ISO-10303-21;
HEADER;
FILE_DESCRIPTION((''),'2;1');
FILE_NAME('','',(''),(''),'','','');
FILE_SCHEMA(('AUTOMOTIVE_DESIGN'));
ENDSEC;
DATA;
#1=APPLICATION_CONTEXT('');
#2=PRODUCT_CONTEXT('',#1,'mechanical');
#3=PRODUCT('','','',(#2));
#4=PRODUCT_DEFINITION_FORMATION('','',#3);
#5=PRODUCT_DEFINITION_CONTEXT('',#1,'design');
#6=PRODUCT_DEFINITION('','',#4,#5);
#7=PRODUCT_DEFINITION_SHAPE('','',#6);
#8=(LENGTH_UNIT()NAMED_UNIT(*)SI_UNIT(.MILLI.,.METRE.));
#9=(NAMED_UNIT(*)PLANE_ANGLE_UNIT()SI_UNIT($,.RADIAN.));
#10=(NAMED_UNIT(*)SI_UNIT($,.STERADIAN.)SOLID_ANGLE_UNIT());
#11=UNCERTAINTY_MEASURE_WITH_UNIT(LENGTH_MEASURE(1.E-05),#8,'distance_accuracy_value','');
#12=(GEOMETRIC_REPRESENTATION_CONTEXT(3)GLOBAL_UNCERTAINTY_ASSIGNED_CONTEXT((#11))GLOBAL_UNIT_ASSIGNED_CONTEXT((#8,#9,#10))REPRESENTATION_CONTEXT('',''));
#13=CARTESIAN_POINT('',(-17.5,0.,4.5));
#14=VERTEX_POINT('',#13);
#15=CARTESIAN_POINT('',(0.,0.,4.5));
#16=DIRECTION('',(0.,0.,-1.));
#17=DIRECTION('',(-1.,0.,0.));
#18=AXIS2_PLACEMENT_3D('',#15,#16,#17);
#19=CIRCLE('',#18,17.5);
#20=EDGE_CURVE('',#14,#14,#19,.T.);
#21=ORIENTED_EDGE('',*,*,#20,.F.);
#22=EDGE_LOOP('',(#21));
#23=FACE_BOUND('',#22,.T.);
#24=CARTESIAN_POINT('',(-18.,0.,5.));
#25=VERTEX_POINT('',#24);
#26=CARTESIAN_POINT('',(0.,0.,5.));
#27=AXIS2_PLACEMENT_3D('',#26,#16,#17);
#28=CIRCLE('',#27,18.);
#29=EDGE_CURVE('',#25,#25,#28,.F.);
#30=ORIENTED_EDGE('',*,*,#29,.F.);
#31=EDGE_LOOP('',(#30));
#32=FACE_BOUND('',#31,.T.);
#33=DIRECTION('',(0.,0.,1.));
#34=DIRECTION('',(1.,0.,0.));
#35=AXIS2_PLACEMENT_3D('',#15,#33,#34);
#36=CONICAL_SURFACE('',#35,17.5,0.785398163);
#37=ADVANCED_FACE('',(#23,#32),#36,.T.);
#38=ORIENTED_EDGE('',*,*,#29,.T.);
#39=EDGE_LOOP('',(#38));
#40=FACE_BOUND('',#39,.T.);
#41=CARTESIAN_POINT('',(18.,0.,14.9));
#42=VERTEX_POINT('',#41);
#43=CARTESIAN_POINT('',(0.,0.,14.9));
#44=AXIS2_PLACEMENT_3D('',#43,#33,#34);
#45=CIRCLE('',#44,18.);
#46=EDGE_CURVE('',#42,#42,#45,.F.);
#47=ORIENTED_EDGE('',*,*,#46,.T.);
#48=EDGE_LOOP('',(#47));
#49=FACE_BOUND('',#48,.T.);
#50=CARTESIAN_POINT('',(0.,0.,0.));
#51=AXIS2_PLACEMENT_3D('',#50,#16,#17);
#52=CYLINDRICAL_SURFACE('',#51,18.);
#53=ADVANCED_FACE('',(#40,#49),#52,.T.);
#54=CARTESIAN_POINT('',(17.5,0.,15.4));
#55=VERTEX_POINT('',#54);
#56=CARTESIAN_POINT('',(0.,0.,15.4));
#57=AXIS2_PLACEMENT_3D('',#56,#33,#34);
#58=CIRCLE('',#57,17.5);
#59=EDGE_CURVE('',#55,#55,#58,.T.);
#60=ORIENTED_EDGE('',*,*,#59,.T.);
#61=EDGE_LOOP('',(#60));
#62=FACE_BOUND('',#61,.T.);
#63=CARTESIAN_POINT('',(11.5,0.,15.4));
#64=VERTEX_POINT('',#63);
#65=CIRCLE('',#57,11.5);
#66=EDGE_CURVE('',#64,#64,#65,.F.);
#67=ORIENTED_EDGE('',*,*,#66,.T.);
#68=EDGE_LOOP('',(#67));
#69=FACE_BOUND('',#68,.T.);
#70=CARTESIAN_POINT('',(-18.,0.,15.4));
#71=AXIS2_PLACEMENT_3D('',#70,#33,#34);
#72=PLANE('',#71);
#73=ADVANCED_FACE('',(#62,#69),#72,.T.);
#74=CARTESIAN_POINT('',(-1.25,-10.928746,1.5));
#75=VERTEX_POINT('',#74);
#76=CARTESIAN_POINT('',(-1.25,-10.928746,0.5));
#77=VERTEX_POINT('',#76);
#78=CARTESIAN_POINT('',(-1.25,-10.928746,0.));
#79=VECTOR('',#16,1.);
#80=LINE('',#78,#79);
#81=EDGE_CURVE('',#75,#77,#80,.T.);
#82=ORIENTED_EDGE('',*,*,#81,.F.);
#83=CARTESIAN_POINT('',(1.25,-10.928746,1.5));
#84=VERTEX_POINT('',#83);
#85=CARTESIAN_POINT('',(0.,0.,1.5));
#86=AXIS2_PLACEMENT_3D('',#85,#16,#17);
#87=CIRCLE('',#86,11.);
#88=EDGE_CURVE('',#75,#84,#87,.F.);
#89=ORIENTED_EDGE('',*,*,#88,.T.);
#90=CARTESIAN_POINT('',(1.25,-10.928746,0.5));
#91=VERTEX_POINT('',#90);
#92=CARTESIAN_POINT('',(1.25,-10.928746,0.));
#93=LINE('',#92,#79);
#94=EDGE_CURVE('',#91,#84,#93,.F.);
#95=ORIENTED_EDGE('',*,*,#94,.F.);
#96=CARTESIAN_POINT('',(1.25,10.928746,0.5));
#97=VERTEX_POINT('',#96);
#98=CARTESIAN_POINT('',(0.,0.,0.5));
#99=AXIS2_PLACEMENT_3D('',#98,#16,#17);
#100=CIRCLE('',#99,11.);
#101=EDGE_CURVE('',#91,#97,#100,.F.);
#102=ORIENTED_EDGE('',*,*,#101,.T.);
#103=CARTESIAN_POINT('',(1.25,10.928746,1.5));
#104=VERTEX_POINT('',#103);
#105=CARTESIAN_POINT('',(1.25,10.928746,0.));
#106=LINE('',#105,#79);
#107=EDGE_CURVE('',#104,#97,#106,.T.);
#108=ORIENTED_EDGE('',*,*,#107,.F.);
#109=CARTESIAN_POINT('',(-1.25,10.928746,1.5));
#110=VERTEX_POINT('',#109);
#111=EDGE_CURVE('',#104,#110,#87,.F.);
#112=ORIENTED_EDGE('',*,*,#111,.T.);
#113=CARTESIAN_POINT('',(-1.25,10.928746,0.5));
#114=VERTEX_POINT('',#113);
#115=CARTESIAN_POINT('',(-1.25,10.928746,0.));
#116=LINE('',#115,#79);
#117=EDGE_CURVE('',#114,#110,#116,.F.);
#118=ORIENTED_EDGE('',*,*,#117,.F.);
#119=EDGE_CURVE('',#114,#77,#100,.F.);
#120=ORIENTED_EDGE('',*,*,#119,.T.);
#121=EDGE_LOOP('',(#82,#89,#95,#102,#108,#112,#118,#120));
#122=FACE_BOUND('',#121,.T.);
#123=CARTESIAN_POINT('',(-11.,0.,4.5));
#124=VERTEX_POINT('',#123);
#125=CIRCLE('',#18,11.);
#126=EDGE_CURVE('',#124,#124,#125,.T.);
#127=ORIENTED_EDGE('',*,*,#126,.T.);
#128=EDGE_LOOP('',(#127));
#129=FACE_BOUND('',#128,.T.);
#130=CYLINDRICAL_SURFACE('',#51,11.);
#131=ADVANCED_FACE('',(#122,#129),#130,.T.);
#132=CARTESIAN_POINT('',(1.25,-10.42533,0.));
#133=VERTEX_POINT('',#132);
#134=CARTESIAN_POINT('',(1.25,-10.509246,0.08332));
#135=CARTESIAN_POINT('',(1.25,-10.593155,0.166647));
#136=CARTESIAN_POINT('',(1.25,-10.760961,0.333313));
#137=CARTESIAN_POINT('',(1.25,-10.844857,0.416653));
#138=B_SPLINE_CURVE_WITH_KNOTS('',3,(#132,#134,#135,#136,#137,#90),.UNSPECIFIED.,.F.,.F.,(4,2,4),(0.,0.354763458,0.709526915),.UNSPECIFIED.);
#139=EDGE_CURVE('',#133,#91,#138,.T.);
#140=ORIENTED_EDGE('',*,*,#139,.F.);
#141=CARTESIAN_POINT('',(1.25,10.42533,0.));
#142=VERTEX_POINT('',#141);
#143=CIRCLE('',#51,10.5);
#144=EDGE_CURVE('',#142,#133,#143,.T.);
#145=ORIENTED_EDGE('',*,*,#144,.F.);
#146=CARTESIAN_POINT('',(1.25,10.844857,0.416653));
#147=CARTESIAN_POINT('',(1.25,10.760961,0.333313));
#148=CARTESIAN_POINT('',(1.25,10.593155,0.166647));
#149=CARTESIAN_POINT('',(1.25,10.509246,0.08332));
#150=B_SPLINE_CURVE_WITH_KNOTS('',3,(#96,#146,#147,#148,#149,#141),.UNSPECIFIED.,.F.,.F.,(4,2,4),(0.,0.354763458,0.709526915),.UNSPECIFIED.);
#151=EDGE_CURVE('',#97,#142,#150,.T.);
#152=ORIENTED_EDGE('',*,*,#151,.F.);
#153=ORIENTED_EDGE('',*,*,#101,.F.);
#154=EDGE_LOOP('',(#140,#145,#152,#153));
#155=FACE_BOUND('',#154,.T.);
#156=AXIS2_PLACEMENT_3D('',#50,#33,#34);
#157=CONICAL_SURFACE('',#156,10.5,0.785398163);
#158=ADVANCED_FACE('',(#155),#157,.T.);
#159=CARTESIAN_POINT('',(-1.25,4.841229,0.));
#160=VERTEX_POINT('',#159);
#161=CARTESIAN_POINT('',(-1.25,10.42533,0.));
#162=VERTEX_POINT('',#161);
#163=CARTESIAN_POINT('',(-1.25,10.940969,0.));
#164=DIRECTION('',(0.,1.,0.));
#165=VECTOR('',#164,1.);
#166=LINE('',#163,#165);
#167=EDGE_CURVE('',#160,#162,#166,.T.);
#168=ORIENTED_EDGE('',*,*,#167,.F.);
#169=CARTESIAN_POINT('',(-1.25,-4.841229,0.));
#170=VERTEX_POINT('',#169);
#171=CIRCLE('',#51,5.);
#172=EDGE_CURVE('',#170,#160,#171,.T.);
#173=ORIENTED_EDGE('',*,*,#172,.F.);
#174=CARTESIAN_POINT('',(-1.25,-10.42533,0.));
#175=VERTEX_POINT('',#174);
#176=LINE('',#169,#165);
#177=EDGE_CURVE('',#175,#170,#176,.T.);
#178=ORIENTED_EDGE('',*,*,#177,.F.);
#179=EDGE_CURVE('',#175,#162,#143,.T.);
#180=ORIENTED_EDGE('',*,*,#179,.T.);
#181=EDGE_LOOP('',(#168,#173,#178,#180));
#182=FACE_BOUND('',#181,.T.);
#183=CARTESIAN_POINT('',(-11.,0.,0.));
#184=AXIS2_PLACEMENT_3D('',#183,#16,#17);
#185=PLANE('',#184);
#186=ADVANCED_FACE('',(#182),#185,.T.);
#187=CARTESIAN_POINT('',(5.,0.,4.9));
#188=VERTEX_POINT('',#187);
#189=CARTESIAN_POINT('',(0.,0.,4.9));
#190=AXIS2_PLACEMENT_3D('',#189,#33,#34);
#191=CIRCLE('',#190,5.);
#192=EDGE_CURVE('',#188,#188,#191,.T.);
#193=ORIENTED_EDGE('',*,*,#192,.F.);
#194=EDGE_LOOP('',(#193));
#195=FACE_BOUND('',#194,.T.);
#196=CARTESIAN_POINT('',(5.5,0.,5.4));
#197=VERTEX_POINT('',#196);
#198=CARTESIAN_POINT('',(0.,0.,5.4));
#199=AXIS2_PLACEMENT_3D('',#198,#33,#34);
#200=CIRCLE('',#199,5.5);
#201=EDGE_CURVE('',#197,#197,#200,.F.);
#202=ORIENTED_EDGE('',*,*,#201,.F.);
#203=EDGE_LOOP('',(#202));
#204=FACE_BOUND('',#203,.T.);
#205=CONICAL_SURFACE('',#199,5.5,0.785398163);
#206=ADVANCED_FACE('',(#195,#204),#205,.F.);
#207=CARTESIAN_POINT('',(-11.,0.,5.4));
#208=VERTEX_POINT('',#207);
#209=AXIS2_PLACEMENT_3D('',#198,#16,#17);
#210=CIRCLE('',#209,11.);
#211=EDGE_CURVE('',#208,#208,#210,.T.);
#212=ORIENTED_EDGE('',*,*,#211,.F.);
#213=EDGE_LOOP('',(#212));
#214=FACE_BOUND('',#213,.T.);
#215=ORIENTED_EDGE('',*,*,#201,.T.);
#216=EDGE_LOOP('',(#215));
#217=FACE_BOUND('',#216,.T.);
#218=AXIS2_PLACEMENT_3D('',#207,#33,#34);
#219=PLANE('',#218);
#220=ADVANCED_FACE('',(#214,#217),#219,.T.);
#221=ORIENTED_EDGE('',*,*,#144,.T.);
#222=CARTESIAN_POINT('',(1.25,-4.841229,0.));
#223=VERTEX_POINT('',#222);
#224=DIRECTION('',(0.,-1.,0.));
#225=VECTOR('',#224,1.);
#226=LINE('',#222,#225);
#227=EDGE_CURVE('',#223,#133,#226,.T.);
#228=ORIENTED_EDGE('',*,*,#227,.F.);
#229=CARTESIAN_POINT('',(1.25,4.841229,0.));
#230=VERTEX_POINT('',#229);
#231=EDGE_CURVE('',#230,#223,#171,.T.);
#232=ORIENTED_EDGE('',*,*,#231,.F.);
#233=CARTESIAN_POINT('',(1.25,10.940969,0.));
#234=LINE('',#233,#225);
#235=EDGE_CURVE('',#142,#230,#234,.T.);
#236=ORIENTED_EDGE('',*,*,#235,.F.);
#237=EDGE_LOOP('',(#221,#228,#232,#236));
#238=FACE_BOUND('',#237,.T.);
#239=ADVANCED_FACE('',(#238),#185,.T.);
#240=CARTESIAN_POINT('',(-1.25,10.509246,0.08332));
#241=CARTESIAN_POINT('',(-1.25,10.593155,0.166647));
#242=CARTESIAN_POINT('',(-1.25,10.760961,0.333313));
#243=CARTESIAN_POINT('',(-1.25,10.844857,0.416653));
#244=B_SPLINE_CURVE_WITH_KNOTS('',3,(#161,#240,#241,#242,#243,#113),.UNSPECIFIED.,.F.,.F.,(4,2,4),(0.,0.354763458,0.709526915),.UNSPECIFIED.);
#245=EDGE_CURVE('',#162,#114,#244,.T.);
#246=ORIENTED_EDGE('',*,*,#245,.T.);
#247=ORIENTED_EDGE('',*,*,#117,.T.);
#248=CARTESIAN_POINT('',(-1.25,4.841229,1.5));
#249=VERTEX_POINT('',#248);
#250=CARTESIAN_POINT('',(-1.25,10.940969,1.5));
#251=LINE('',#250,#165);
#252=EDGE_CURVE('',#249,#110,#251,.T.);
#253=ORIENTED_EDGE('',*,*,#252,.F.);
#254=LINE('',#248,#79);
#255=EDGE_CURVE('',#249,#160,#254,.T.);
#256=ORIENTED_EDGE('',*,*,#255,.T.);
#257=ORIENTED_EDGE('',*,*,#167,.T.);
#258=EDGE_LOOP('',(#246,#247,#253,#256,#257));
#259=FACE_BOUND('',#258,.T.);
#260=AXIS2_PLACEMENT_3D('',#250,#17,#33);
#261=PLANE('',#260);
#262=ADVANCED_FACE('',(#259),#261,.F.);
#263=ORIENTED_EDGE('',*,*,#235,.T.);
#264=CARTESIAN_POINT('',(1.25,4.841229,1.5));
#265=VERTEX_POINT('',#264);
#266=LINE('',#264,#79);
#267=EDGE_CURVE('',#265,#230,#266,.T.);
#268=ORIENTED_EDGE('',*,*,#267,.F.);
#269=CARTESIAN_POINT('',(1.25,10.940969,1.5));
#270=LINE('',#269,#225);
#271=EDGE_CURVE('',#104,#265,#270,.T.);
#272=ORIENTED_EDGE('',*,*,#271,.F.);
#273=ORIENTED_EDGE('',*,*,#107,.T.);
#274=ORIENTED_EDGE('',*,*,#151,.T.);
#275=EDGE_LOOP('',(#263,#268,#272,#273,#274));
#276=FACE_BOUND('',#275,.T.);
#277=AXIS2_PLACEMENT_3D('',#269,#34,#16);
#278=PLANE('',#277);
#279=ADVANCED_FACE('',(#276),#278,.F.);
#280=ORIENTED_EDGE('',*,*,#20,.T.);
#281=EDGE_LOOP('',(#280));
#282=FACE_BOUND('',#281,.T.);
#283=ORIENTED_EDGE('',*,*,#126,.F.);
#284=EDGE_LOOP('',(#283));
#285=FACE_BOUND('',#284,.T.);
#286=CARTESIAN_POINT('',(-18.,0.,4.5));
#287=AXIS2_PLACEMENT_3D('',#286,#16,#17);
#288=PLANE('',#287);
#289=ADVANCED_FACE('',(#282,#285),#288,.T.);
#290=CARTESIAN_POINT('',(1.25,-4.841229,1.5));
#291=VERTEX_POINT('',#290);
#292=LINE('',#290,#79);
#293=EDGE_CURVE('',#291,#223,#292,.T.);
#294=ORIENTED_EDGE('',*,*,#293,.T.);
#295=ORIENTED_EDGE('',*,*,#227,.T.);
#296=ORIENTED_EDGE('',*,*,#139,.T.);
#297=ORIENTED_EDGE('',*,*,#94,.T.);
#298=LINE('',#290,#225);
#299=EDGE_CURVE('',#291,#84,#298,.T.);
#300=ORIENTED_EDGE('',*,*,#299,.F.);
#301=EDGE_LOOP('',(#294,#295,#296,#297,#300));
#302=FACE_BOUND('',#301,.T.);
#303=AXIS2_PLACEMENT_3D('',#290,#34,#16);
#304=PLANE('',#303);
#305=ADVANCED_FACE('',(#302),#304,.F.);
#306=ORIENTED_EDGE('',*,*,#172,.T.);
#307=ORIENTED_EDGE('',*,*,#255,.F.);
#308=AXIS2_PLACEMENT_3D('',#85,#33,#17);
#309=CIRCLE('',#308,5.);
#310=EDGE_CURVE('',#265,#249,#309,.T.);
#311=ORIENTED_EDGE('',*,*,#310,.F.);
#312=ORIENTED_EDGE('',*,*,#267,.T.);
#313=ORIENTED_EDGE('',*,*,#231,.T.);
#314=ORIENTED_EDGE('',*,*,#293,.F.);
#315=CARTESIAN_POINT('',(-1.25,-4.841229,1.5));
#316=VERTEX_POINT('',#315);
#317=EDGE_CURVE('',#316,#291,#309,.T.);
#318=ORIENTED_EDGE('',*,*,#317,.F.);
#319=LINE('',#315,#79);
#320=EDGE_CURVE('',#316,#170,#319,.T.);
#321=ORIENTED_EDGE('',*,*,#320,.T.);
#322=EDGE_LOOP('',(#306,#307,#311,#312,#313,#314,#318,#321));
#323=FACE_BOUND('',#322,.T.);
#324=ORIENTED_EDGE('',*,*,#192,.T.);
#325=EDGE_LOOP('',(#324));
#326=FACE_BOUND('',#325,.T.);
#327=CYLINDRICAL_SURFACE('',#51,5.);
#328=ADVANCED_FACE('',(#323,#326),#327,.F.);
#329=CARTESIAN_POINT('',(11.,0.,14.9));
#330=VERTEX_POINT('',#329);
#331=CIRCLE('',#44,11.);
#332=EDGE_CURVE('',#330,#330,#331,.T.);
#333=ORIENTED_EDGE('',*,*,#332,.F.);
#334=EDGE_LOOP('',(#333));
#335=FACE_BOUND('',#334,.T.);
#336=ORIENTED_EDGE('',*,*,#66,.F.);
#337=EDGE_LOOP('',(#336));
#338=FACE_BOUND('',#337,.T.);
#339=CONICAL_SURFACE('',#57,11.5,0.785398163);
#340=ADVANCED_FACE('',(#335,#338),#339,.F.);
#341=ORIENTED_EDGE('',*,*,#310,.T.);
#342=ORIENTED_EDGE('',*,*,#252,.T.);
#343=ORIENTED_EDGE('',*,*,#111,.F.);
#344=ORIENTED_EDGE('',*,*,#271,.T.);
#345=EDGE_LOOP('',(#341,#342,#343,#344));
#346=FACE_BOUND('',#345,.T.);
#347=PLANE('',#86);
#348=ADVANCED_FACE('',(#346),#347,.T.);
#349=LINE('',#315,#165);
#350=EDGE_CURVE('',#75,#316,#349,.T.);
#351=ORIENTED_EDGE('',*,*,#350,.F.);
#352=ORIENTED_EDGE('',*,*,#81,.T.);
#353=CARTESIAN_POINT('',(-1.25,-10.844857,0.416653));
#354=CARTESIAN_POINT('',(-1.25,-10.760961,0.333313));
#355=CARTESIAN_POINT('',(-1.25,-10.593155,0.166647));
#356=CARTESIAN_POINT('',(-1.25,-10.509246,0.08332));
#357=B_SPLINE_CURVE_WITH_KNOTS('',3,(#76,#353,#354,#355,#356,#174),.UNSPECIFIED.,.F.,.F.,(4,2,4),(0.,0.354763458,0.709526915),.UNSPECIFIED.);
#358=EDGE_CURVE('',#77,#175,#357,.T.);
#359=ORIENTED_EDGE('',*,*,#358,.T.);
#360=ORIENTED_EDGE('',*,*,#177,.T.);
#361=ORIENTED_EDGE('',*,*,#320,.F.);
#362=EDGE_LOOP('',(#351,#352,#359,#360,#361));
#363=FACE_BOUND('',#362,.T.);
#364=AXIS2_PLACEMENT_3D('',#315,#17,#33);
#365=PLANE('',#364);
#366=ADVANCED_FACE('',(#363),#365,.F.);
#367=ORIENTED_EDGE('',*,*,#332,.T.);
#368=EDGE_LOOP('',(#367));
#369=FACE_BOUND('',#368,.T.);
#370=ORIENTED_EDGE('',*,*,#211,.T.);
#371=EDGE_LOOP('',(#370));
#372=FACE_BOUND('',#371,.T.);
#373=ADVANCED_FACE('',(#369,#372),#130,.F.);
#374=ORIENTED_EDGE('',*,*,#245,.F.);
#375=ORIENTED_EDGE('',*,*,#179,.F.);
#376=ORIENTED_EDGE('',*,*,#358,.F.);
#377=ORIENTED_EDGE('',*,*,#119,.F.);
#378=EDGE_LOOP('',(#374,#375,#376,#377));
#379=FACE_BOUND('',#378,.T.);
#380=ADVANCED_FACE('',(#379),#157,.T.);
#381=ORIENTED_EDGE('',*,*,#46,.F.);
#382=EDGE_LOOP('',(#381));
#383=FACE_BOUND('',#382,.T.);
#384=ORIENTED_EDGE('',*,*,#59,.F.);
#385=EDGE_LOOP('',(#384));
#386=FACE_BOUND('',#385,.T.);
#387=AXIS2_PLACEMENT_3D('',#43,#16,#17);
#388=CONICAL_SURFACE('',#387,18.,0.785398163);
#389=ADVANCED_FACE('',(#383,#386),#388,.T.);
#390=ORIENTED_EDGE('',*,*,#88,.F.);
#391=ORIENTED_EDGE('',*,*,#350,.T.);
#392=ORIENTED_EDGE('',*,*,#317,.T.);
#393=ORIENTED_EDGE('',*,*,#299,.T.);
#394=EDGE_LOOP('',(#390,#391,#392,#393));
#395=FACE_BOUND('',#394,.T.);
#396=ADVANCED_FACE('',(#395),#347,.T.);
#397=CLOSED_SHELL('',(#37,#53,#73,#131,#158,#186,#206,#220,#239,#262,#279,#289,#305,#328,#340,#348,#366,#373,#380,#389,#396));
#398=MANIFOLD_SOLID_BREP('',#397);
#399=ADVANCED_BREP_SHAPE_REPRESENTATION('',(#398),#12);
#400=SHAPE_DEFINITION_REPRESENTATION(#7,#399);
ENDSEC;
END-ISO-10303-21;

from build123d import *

# Parameters (mm, degrees)
CUT_EXTRUDE1_DEPTH = 1.5
CHAMFER1_SIZE      = 0.5


with BuildPart() as part:
    # Sketch2 → Revolve1 (revolve)
    with BuildSketch(Plane(origin=(0, 0, 0), x_dir=(1, 0, 0), z_dir=(0, 1, 0))):
        Polygon((-18, -4.5), (-11, -4.5), (-11, 0), (-5, 0), (-5, -5.4), (-11, -5.4), (-11, -15.4), (-18, -15.4), align=None)
    revolve(axis=Axis((0, 0, 0), (0, 0, 1)))

    # Sketch3 → Cut-Extrude1 (cut)
    with BuildSketch(Plane(origin=(0, 0, 0), x_dir=(-1, 0, 0), z_dir=(0, 0, -1))):
        with BuildLine():
            Line((1.25, 10.940968966), (1.25, 4.841229183))
            ThreePointArc((1.25, 4.841229183), (0, 5), (-1.25, 4.841229183))
            Line((-1.25, 4.841229183), (-1.25, 10.940968966))
            ThreePointArc((-1.25, 10.940968966), (0, 11.012143385), (1.25, 10.940968966))
        make_face()
        with BuildLine():
            Line((1.25, -4.841229183), (1.25, -10.940968966))
            ThreePointArc((1.25, -10.940968966), (0, -11.012143385), (-1.25, -10.940968966))
            Line((-1.25, -10.940968966), (-1.25, -4.841229183))
            ThreePointArc((-1.25, -4.841229183), (0, -5), (1.25, -4.841229183))
        make_face()
    extrude(amount=-CUT_EXTRUDE1_DEPTH, mode=Mode.SUBTRACT)

    # Chamfer1
    chamfer1_edges = [part.edges().sort_by_distance(p)[0] for p in [
        (11, 0, 0),
        (-8.20822758, -7.322909258, 0),
        (18, 0, 15.4),
        (18, 0, 4.5),
        (5, 0, 5.4),
        (11, 0, 15.4),
    ]]
    chamfer(chamfer1_edges, length=CHAMFER1_SIZE)


solid = part.part
